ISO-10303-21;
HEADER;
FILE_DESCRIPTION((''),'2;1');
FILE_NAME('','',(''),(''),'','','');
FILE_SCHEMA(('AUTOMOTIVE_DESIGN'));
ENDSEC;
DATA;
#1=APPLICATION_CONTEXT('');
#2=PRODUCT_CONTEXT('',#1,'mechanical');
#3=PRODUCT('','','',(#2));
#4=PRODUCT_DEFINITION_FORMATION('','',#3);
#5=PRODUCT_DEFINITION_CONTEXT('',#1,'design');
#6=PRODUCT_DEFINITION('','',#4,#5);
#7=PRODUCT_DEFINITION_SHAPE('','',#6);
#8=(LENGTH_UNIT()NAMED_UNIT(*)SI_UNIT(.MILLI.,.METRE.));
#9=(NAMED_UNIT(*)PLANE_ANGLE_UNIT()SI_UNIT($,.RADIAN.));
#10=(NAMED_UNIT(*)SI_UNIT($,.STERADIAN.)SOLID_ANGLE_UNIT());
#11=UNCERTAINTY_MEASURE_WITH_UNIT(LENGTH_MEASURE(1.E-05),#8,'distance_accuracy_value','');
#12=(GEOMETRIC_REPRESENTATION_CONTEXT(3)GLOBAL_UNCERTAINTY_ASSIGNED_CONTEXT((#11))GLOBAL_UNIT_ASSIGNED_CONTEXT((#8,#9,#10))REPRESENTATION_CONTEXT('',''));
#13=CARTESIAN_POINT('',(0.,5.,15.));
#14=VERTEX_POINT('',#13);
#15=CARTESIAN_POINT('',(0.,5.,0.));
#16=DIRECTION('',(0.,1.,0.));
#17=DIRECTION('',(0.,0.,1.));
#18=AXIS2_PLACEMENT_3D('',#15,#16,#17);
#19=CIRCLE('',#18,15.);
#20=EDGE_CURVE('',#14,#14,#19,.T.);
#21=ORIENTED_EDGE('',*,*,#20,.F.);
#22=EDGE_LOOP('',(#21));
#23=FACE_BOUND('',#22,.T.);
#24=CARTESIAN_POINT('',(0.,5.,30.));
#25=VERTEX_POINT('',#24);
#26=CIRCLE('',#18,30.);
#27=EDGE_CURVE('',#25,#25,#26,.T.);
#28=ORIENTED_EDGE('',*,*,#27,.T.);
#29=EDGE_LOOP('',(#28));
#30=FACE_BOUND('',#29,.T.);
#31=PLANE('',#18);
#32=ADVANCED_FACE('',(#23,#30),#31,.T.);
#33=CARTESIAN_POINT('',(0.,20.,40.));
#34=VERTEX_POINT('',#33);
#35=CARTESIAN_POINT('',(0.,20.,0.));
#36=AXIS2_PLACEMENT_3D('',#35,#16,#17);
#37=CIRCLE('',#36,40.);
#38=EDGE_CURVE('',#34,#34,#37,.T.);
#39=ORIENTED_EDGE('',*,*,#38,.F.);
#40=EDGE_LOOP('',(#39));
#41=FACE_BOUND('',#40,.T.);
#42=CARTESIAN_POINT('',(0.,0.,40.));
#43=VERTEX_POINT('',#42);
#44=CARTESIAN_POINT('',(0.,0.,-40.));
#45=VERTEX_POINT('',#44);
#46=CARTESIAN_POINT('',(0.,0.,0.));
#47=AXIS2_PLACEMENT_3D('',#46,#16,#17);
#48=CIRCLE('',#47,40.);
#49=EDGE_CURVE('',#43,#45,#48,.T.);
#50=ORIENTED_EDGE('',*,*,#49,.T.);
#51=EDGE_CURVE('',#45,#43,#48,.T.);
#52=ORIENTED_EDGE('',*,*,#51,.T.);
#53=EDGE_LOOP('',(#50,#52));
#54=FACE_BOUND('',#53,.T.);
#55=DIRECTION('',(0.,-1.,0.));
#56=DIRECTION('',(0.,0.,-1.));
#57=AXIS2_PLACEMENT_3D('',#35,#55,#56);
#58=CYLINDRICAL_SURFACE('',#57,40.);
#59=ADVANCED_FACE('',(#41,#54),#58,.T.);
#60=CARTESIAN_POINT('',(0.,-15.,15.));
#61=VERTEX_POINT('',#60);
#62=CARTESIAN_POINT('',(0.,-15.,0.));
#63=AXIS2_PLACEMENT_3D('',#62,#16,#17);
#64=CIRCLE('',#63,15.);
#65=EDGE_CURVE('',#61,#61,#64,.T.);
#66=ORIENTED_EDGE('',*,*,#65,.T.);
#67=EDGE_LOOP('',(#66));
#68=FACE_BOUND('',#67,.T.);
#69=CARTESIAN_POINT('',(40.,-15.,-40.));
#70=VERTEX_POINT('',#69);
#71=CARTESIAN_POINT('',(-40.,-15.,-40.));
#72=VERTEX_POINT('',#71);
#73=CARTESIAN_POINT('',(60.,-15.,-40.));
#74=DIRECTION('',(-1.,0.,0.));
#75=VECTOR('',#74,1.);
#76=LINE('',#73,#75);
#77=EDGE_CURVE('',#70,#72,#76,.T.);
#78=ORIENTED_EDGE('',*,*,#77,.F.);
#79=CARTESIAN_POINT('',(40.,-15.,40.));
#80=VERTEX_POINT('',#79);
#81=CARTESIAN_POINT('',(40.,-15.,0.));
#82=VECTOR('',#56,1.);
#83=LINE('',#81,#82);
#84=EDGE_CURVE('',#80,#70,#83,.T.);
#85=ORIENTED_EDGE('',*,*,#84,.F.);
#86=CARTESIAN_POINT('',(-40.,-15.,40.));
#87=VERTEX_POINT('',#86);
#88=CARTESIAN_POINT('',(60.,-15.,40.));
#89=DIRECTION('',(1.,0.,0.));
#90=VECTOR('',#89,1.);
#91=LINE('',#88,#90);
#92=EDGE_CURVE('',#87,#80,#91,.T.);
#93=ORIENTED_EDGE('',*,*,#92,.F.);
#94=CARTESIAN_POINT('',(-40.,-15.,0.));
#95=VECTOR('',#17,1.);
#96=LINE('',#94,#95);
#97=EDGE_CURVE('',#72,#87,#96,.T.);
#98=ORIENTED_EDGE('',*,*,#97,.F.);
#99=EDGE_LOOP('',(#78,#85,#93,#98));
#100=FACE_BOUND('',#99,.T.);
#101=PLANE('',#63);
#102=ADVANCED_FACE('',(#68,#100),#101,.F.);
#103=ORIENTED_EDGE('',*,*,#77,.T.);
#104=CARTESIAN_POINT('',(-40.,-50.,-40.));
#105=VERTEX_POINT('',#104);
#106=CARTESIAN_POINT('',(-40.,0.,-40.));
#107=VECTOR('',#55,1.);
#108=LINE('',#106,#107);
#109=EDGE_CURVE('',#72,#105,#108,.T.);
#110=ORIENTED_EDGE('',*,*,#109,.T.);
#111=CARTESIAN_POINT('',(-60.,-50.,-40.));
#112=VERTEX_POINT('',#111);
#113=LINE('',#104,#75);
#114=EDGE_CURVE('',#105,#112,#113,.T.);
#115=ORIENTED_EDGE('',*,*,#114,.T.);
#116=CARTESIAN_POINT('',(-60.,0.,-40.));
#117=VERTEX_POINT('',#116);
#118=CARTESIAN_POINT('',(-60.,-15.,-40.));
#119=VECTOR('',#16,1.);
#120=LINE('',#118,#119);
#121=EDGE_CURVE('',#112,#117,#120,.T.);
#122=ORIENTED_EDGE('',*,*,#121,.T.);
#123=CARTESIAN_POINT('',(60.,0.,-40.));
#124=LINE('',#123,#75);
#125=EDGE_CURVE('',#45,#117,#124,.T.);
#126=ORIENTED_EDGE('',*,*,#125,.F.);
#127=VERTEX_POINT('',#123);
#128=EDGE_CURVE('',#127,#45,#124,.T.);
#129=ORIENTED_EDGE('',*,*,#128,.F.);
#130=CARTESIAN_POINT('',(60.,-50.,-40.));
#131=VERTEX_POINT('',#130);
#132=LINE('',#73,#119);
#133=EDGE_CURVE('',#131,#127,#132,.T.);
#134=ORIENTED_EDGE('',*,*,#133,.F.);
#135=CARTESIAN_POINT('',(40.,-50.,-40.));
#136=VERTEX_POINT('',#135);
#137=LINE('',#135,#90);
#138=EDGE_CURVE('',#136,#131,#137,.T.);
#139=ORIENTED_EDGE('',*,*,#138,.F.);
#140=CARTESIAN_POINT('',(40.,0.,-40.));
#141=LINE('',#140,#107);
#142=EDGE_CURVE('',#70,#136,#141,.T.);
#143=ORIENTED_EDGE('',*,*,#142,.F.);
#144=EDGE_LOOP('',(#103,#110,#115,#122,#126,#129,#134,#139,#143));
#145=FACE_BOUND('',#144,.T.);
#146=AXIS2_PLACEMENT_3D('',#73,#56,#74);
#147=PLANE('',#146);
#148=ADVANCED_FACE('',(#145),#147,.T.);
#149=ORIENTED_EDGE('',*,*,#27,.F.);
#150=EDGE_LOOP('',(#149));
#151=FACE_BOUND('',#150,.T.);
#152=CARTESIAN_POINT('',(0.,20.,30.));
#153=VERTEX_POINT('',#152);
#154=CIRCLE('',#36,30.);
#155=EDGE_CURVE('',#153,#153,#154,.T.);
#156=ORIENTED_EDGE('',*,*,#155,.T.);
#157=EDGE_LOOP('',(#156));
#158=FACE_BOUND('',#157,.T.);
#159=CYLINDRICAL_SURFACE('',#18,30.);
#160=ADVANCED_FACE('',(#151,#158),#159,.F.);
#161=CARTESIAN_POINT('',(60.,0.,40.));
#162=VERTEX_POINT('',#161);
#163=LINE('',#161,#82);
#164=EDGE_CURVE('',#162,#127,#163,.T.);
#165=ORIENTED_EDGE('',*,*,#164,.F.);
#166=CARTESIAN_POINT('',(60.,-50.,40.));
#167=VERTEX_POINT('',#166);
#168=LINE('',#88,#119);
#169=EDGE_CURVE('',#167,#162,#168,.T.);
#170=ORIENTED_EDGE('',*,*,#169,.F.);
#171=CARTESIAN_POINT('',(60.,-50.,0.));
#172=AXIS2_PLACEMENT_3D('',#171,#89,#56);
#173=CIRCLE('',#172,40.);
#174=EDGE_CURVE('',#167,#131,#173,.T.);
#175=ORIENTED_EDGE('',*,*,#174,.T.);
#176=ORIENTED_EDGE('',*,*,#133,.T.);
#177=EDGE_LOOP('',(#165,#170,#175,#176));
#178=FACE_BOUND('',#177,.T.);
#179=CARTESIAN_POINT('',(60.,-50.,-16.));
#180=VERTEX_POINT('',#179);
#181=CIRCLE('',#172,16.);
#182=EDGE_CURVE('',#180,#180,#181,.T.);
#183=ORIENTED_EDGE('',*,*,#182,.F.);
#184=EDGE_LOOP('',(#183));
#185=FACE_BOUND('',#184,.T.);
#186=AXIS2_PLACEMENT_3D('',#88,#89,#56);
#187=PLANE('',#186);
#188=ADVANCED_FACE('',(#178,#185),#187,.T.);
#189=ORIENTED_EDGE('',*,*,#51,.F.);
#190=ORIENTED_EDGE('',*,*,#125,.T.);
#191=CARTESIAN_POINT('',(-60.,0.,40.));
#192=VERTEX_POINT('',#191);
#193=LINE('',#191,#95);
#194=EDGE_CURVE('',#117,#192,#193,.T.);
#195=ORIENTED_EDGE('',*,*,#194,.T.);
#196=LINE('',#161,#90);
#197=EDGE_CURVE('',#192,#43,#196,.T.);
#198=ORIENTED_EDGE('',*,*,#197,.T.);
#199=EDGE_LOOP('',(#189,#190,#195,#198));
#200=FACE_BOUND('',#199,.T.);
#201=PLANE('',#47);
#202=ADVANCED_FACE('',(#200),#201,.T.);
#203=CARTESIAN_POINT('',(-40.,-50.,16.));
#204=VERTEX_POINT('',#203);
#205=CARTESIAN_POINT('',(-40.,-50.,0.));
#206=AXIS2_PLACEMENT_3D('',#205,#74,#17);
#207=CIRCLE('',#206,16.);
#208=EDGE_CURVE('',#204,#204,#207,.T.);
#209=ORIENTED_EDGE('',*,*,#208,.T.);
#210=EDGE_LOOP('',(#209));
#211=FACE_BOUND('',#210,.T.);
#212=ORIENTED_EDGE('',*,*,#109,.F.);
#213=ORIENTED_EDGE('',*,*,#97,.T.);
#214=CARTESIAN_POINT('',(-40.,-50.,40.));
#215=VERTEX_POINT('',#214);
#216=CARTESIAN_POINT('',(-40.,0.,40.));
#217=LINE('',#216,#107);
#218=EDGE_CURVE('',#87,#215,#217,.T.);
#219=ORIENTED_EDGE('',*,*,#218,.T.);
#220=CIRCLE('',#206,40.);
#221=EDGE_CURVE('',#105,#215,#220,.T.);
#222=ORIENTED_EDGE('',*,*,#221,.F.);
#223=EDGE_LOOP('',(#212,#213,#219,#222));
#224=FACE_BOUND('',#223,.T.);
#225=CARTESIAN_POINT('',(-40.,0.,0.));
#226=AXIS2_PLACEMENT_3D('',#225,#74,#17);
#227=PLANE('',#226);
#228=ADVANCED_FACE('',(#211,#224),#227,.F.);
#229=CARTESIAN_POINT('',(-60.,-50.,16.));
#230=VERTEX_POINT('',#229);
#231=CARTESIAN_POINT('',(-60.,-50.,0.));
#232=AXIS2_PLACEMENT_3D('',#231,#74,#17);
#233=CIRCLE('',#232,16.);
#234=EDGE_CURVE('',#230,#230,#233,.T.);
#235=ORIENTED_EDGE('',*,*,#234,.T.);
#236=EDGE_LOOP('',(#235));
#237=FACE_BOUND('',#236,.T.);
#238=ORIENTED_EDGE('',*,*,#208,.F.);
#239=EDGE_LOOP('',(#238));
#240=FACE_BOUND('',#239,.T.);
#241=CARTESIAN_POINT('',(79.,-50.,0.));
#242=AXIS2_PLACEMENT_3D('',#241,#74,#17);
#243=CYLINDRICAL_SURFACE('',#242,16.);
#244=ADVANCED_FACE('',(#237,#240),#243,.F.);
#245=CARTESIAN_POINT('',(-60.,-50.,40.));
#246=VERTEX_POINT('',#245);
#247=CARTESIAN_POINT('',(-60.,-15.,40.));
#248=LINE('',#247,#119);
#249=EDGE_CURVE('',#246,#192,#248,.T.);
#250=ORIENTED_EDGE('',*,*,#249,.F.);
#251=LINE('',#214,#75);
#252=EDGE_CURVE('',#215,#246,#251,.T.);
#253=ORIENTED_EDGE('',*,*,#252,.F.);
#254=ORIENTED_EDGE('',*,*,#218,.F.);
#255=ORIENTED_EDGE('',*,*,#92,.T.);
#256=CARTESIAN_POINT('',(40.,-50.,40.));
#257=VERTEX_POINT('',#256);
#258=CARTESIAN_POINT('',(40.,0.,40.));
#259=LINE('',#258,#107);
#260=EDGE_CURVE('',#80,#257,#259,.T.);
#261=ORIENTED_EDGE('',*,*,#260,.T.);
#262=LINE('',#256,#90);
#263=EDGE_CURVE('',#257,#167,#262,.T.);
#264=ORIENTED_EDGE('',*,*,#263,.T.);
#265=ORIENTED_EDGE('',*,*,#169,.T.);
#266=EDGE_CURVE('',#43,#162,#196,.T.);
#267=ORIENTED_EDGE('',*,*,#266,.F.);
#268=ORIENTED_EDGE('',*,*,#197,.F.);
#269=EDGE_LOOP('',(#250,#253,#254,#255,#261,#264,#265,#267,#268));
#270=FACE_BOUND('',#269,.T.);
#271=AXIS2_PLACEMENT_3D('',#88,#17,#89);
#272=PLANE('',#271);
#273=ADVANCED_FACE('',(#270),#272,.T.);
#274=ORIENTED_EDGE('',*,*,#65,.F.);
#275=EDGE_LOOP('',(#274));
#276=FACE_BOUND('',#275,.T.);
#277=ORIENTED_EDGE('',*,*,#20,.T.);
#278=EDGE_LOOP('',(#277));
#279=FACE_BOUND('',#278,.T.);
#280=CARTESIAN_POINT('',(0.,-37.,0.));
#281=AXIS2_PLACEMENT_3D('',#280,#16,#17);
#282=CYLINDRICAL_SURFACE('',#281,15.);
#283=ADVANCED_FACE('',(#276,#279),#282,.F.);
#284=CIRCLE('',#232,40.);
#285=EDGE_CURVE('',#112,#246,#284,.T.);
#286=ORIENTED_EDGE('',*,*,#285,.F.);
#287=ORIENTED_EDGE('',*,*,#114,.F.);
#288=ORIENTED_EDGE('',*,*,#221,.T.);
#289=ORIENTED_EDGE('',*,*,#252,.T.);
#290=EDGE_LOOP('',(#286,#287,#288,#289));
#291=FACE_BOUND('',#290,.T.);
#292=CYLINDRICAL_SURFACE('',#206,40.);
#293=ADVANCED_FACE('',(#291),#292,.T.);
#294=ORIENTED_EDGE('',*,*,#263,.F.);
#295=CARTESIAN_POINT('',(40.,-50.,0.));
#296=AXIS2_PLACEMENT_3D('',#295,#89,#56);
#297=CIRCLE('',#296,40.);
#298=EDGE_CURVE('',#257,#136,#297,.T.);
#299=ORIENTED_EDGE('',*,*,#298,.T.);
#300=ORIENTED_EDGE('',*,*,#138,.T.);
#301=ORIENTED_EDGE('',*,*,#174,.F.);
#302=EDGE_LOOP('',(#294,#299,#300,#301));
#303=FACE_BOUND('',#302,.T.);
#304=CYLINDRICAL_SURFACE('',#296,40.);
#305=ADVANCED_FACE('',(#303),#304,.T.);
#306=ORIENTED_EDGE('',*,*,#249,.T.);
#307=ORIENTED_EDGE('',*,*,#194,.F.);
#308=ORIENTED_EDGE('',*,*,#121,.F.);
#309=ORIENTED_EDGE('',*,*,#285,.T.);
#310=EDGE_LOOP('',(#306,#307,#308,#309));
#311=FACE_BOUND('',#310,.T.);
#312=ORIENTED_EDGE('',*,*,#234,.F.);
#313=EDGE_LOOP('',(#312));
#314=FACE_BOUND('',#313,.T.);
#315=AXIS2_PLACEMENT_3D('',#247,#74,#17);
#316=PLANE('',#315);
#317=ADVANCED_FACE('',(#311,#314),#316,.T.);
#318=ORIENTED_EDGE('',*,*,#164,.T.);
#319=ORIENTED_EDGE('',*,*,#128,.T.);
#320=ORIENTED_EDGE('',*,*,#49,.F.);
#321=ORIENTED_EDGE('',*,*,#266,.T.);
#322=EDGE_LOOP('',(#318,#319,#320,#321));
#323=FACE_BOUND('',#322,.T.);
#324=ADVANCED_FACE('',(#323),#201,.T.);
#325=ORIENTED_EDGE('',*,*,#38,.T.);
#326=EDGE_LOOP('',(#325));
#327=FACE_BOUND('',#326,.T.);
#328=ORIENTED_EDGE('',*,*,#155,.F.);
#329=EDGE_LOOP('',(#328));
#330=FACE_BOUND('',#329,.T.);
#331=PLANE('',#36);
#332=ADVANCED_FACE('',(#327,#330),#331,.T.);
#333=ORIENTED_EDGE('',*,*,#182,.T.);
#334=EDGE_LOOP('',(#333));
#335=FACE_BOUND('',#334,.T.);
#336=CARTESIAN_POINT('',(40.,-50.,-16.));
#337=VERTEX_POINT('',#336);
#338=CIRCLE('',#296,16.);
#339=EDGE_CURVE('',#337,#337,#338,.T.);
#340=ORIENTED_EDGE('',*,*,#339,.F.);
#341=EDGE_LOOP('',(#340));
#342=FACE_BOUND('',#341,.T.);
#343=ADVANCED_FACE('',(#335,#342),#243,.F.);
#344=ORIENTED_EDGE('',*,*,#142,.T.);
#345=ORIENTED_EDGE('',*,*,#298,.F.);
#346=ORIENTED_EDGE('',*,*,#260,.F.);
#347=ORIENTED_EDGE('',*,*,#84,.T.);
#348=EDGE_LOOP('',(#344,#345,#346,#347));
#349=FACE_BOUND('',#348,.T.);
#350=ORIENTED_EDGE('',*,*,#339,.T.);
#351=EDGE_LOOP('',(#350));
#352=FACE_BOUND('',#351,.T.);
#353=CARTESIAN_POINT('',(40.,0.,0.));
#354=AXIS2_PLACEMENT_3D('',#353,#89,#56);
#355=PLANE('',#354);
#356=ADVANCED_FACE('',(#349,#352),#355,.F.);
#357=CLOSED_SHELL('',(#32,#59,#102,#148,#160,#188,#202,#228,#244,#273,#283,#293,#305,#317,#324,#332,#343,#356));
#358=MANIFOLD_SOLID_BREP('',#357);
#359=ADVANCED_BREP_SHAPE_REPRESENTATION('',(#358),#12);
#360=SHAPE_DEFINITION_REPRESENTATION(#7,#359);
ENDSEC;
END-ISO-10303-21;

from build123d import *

# Parameters (mm, degrees)
SKETCH1_W           = 120
SKETCH1_H           = 80
BOSS_EXTRUDE1_DEPTH = 15
SKETCH2_R           = 40
BOSS_EXTRUDE2_DEPTH = 20
SKETCH4_R           = 30
CUT_EXTRUDE1_DEPTH  = 15
SKETCH5_R           = 15
CUT_EXTRUDE2_DEPTH  = 42
SKETCH7_W           = 80
SKETCH7_H           = 35
BOSS_EXTRUDE3_DEPTH = 20
BOSS_EXTRUDE4_START = -20
SKETCH8_W           = 80
SKETCH8_H           = 35
BOSS_EXTRUDE4_DEPTH = 20
SKETCH9_R           = 16
CUT_EXTRUDE3_DEPTH  = 139


with BuildPart() as part:
    # Sketch1 → Boss-Extrude1 (new body)
    with BuildSketch(Plane(origin=(0, 0, 0), x_dir=(1, 0, 0), z_dir=(0, 1, 0))):
        Rectangle(SKETCH1_W, SKETCH1_H)
    extrude(amount=-BOSS_EXTRUDE1_DEPTH)

    # Sketch2 → Boss-Extrude2 (add)
    with BuildSketch(Plane(origin=(0, 0, 0), x_dir=(1, 0, 0), z_dir=(0, 1, 0))):
        with Locations(Location((0, 0, 0), (0, 0, 270))):
            Circle(SKETCH2_R)
    extrude(amount=BOSS_EXTRUDE2_DEPTH)

    # Sketch4 → Cut-Extrude1 (cut)
    with BuildSketch(Plane(origin=(0, 20, 0), x_dir=(1, 0, 0), z_dir=(0, 1, 0))):
        with Locations(Location((0, 0, 0), (0, 0, 270))):
            Circle(SKETCH4_R)
    extrude(amount=-CUT_EXTRUDE1_DEPTH, mode=Mode.SUBTRACT)

    # Sketch5 → Cut-Extrude2 (cut)
    with BuildSketch(Plane(origin=(0, 5, 0), x_dir=(1, 0, 0), z_dir=(0, 1, 0))):
        with Locations(Location((0, 0, 0), (0, 0, 270))):
            Circle(SKETCH5_R)
    extrude(amount=-CUT_EXTRUDE2_DEPTH, mode=Mode.SUBTRACT)

    # Sketch7 → Boss-Extrude3 (add)
    with BuildSketch(Plane(origin=(60, 0, 0), x_dir=(0, 0, -1), z_dir=(1, 0, 0))):
        with BuildLine():
            Line((-40, -50), (40, -50))
            ThreePointArc((40, -50), (0, -90), (-40, -50))
        make_face()
        with Locations((0, -32.5)):
            Rectangle(SKETCH7_W, SKETCH7_H)
    extrude(amount=-BOSS_EXTRUDE3_DEPTH)

    # Sketch8 → Boss-Extrude4 (add)
    with BuildSketch(Plane.ZY.offset(60).offset(BOSS_EXTRUDE4_START)):
        with BuildLine():
            Line((-40, -50), (40, -50))
            ThreePointArc((40, -50), (0, -90), (-40, -50))
        make_face()
        with Locations((0, -32.5)):
            Rectangle(SKETCH8_W, SKETCH8_H)
    extrude(amount=BOSS_EXTRUDE4_DEPTH)

    # Sketch9 → Cut-Extrude3 (cut)
    with BuildSketch(Plane.ZY.offset(60)):
        with Locations((0, -50)):
            Circle(SKETCH9_R)
    extrude(amount=-CUT_EXTRUDE3_DEPTH, mode=Mode.SUBTRACT)


solid = part.part
